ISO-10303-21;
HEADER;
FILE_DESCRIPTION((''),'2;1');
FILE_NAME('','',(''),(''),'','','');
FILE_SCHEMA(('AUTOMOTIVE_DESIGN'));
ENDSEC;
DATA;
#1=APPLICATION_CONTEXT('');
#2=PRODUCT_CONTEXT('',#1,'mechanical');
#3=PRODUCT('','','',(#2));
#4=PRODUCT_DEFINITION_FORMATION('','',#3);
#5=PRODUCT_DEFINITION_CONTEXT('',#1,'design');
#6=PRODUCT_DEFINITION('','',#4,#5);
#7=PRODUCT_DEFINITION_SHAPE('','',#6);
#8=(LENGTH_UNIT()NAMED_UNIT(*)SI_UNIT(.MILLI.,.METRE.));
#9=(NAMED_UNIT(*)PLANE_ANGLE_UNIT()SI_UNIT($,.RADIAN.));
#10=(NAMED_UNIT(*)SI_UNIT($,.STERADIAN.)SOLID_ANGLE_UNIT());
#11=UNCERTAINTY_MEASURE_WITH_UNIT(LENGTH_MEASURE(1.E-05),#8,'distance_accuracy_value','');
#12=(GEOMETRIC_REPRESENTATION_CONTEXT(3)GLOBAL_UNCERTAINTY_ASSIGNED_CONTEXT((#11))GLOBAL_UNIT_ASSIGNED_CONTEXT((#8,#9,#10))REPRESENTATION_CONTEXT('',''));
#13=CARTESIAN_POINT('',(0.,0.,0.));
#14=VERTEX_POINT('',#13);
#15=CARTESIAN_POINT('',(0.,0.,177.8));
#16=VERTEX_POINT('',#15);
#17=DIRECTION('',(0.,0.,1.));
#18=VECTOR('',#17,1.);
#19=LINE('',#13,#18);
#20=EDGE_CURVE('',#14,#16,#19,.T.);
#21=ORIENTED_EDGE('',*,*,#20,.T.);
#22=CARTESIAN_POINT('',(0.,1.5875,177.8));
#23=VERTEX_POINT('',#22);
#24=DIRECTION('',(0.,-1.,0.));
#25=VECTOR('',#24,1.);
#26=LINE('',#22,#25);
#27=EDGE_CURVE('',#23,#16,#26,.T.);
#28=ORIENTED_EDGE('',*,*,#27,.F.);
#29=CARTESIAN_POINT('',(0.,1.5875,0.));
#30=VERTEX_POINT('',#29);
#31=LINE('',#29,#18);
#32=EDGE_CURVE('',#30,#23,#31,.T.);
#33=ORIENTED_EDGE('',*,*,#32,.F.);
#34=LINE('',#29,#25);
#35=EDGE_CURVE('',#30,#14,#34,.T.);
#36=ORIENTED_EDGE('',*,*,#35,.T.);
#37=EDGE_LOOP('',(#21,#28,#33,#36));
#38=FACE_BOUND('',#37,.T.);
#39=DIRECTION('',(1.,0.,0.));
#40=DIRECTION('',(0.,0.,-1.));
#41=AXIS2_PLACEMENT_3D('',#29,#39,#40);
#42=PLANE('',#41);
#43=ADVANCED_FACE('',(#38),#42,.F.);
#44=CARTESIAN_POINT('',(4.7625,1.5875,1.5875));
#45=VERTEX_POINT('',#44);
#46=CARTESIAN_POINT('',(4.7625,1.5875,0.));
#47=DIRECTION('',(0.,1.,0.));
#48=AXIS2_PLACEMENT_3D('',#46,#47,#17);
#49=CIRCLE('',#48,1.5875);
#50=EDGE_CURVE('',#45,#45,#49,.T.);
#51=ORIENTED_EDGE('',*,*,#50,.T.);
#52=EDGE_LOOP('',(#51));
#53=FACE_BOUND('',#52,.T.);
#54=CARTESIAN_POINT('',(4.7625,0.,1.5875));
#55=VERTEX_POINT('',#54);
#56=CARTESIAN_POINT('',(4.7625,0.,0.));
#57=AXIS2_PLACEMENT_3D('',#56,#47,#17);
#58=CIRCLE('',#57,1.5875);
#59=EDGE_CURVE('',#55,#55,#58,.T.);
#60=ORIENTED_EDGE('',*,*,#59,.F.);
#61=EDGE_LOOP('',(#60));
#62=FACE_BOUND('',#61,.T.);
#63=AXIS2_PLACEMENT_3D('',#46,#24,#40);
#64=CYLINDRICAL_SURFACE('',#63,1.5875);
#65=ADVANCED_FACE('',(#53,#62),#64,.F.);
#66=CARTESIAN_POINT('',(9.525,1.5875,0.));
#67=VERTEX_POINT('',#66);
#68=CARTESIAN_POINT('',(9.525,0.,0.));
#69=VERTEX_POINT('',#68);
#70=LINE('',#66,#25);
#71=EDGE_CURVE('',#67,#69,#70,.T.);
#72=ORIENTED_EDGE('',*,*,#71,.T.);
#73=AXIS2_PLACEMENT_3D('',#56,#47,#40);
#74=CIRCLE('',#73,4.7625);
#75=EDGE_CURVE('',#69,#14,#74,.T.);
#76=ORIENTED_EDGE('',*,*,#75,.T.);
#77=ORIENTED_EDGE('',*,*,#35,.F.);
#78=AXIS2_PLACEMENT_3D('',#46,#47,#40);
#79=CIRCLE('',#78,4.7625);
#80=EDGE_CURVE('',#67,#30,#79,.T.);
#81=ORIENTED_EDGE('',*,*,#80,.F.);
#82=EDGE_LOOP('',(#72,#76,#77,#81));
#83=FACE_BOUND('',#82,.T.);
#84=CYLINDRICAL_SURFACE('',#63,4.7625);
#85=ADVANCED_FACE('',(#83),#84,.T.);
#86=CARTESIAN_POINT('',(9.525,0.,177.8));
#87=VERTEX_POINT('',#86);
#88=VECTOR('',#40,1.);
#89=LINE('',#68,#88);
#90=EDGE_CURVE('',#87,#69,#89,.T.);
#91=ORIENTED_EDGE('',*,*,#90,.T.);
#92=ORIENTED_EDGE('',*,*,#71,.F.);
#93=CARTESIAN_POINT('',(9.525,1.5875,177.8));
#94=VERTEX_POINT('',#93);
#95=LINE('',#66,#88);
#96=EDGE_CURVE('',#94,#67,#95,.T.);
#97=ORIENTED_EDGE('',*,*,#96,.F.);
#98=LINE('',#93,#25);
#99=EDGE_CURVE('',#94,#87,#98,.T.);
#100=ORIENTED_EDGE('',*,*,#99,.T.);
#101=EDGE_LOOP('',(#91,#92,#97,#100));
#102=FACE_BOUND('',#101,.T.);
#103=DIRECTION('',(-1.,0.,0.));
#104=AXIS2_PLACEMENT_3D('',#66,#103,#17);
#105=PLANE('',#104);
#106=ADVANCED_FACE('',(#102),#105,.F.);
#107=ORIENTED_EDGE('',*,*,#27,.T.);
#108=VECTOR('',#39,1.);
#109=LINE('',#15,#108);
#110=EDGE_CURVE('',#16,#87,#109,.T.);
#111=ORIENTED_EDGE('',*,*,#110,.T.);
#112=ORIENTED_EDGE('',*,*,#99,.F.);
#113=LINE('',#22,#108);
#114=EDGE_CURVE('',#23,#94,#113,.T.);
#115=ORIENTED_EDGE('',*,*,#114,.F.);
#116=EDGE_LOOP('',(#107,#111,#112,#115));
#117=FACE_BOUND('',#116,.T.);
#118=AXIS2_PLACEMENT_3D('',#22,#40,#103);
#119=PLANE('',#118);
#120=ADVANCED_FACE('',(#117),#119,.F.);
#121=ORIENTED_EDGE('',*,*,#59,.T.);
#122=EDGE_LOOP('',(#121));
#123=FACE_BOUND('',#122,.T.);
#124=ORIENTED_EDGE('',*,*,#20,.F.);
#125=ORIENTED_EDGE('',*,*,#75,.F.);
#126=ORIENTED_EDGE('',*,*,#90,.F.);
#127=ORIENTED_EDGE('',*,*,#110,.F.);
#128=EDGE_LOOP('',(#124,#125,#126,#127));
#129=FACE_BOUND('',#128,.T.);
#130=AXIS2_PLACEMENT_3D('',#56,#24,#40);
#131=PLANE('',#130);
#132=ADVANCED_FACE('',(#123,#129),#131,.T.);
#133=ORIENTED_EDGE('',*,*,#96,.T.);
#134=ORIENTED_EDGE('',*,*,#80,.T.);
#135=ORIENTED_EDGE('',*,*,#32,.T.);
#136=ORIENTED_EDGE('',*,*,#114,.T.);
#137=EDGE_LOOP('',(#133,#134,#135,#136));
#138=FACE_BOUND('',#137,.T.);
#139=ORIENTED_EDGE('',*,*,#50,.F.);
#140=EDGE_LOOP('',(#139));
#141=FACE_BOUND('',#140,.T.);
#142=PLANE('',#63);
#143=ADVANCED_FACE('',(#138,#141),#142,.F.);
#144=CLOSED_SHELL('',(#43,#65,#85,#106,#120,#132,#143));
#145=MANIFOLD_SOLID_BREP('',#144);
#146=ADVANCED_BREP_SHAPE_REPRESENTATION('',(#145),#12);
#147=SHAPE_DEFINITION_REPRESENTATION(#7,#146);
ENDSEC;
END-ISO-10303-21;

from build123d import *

# Parameters (mm, degrees)
SKETCH1_R           = 1.5875
BOSS_EXTRUDE1_DEPTH = 1.5875


with BuildPart() as part:
    # Sketch1 → Boss-Extrude1 (new body)
    with BuildSketch(Plane(origin=(0, 0, 0), x_dir=(1, 0, 0), z_dir=(0, 1, 0))):
        with BuildLine():
            Line((0, 0), (0, -177.8))
            Line((0, -177.8), (9.525, -177.8))
            Line((9.525, -177.8), (9.525, 0))
            ThreePointArc((9.525, 0), (4.7625, 4.7625), (0, 0))
        make_face()
        with Locations(Location((4.7625, 0, 0), (0, 0, 270))):
            Circle(SKETCH1_R, mode=Mode.SUBTRACT)
    extrude(amount=BOSS_EXTRUDE1_DEPTH)


solid = part.part
